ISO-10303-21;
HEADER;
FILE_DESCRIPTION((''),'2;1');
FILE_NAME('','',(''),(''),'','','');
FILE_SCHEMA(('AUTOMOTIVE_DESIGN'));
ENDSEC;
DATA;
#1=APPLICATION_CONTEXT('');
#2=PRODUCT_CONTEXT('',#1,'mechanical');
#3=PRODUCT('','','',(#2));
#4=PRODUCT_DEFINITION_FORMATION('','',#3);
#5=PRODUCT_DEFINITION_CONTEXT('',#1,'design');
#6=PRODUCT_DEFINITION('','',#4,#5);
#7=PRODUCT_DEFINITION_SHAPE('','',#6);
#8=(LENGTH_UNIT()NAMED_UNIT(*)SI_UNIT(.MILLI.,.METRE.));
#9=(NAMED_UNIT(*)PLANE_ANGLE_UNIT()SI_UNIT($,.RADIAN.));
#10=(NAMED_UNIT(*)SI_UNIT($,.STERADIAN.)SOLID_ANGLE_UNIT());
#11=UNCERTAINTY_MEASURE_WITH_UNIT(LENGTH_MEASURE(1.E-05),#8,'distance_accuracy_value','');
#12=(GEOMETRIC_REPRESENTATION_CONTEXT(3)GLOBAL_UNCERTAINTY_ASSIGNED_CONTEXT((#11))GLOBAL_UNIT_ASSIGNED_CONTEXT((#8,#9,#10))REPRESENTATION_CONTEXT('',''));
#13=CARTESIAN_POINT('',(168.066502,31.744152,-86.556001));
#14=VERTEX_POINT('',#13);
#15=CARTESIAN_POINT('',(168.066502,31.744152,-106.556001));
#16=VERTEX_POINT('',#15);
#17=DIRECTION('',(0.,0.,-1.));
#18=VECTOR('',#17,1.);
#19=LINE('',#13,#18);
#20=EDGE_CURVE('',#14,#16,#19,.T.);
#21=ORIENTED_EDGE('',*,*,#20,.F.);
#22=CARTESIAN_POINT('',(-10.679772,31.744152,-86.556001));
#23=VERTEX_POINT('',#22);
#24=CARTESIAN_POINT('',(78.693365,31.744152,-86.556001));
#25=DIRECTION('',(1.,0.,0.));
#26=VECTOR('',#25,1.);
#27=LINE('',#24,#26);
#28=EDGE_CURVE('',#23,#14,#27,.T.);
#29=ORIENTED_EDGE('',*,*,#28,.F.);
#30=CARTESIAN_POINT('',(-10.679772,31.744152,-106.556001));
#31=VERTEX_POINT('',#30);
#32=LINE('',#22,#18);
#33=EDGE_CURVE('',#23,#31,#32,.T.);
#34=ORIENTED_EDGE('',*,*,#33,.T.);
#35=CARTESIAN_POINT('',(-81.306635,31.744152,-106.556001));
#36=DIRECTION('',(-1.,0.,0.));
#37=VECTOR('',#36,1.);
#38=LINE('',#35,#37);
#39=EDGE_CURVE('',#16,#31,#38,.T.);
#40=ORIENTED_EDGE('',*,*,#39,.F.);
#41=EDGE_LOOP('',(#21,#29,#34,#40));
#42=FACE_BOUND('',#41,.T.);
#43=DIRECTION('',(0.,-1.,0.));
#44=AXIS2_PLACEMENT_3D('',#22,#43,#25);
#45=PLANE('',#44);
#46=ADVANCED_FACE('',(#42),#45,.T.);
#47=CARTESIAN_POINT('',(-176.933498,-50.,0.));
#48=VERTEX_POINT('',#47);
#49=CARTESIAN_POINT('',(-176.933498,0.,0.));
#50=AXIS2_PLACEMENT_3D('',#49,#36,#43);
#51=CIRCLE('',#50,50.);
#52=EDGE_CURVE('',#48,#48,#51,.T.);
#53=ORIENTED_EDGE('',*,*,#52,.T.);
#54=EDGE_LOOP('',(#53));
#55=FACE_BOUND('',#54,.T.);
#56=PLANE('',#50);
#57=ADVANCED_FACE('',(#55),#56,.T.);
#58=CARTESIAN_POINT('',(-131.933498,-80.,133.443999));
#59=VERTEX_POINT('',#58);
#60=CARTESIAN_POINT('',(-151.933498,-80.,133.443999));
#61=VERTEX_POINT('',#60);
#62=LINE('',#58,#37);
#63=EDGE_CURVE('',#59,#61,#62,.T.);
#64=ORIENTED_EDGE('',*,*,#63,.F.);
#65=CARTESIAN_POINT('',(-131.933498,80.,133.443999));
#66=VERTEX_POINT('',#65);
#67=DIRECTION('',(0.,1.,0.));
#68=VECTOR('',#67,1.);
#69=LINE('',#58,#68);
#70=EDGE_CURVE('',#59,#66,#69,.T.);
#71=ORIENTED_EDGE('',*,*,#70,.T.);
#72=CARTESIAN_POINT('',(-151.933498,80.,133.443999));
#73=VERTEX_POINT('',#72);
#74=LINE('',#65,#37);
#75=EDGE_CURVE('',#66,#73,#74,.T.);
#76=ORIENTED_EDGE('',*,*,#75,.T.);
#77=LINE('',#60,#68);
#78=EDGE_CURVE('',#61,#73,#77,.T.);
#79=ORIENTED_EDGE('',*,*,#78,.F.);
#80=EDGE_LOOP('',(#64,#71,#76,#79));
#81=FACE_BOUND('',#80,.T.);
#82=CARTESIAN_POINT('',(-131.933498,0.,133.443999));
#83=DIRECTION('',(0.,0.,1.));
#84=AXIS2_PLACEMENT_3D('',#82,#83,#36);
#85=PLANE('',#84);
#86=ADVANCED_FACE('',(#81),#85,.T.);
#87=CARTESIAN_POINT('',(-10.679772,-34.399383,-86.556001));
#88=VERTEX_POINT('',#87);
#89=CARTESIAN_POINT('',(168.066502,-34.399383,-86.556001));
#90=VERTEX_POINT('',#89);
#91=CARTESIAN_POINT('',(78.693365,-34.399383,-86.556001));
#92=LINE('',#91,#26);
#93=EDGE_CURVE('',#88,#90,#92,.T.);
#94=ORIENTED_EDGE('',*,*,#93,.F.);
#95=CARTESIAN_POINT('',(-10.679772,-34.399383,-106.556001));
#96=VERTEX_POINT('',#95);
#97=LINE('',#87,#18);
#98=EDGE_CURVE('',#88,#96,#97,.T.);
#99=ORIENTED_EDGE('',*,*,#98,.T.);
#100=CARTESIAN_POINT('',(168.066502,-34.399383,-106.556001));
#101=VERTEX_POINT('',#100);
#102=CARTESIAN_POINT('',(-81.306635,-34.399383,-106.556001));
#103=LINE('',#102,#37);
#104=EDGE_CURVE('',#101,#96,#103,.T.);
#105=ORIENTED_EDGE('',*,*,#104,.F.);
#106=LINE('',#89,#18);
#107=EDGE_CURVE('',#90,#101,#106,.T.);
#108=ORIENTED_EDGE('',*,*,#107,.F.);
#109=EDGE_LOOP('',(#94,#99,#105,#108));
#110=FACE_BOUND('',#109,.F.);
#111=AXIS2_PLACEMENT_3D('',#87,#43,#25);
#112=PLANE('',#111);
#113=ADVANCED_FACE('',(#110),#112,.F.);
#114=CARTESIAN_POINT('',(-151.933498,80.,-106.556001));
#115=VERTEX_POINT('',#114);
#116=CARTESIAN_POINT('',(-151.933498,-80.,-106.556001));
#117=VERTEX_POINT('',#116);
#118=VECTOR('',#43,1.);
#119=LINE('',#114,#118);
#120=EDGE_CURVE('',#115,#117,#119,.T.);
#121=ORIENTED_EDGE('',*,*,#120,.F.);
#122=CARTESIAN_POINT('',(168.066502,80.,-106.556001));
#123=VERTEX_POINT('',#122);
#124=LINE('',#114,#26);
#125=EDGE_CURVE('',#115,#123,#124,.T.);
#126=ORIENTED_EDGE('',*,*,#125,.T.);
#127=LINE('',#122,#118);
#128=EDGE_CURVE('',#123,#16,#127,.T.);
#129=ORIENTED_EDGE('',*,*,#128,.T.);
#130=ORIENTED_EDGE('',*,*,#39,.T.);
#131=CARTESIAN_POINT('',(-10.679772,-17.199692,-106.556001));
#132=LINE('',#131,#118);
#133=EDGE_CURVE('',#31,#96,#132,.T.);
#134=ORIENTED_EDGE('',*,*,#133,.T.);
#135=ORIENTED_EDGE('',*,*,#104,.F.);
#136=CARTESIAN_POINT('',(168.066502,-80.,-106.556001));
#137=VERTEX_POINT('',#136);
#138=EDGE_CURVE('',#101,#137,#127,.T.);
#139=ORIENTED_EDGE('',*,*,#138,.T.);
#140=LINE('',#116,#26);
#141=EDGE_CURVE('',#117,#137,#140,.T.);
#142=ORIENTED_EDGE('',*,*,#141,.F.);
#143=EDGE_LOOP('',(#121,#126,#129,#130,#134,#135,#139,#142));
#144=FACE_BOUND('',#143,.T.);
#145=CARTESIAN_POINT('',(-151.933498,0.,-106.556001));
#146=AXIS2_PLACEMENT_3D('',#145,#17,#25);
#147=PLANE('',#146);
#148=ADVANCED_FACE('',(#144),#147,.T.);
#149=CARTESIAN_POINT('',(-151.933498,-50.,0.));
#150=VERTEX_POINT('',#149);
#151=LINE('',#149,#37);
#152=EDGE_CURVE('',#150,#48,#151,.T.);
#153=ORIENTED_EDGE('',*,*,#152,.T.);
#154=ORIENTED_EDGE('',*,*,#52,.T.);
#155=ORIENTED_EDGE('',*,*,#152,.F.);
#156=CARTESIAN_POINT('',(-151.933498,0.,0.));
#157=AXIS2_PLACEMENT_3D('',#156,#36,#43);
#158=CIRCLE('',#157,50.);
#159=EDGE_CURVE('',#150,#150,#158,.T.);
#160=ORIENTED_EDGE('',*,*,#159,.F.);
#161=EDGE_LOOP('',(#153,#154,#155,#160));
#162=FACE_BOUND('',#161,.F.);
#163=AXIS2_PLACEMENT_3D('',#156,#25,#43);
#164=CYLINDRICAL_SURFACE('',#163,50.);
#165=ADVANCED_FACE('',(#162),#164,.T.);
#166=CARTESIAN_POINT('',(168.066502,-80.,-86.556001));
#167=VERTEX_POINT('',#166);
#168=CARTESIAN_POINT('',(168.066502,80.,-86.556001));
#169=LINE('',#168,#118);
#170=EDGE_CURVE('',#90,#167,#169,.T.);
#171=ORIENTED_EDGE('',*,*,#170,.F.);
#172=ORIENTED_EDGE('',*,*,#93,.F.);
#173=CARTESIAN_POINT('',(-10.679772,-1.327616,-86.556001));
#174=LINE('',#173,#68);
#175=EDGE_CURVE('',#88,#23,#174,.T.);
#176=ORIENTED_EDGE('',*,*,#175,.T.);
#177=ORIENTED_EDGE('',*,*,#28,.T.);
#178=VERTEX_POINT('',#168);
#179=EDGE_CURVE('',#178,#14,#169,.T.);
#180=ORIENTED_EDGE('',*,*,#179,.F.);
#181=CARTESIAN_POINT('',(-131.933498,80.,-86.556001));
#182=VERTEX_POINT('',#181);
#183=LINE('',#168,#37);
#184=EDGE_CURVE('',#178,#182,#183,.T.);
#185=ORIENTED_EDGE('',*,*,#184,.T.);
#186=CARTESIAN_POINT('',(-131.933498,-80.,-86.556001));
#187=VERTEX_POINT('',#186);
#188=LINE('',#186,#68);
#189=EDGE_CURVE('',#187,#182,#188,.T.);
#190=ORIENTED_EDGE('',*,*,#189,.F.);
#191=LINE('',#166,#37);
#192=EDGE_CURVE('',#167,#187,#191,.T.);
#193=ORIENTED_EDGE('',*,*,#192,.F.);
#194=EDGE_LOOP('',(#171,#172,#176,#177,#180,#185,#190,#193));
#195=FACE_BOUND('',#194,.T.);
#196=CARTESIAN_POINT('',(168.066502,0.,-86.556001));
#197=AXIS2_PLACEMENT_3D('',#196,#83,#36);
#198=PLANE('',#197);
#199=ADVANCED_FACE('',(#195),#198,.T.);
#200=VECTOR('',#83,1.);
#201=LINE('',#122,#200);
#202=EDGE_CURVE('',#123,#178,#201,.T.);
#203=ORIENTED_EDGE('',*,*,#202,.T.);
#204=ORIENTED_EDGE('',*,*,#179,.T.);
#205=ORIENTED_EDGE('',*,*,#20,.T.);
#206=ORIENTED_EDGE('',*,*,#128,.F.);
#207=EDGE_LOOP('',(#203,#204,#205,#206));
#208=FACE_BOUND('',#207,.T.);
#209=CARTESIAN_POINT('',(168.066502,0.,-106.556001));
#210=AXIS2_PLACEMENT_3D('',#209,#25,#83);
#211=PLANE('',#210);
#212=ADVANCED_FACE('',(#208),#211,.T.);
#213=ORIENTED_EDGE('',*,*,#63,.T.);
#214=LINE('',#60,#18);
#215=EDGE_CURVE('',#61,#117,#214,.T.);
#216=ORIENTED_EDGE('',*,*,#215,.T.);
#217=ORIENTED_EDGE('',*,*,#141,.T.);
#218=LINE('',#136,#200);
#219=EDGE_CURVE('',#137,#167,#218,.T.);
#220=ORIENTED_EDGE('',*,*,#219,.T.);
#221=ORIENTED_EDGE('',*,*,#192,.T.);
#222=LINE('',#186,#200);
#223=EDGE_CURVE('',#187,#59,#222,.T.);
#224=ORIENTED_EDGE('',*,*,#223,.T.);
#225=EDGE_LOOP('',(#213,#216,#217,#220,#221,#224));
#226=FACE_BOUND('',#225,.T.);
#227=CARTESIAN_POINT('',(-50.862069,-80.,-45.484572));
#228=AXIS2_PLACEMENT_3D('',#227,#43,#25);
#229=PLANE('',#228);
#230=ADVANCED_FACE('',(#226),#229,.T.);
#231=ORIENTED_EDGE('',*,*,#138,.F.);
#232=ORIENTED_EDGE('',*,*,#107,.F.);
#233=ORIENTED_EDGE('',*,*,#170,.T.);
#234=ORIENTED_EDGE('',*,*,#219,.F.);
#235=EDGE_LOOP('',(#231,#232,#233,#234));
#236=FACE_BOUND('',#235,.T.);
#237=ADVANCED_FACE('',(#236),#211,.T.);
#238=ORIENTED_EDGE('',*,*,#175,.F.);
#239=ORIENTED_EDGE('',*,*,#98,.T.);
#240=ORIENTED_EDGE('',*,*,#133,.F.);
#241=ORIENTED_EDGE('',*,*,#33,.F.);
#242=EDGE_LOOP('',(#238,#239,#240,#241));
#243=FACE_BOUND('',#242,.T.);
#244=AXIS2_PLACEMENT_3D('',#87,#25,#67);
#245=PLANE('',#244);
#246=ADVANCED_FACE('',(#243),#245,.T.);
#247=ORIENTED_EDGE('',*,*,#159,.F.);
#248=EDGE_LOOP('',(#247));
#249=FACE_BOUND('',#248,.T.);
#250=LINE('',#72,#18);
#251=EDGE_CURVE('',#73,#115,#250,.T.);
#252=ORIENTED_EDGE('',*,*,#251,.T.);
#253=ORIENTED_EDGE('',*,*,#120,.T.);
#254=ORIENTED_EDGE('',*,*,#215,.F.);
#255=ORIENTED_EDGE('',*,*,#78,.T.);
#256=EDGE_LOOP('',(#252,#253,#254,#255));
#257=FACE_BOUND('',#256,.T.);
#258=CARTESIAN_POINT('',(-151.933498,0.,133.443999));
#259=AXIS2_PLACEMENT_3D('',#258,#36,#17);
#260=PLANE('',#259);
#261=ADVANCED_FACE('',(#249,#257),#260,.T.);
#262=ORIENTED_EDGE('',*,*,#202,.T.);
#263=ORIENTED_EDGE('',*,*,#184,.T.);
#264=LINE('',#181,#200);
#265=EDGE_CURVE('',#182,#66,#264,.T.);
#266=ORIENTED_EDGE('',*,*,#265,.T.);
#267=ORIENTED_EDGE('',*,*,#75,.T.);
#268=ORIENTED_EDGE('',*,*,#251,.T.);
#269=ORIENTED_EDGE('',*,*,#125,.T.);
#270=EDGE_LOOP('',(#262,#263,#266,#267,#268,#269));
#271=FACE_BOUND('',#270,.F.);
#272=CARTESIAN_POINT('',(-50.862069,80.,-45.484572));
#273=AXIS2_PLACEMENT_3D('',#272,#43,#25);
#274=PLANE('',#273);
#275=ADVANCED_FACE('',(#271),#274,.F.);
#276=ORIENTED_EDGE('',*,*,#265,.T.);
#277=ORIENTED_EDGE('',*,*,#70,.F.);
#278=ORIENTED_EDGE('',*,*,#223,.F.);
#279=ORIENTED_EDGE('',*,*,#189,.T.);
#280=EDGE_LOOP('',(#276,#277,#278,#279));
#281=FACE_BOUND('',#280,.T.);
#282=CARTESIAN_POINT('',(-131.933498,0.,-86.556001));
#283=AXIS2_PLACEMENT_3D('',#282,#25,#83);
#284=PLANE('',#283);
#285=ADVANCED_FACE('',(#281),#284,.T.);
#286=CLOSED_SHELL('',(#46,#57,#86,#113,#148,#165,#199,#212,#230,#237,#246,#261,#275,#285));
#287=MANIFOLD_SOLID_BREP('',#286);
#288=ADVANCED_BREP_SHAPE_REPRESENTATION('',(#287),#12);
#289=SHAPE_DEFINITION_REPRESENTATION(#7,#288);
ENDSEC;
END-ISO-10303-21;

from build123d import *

# Parameters (mm, degrees)
F1_DEPTH = 80
F2_W     = 178.746274
F2_H     = 66.143535
F3_DEPTH = 25
F4_R     = 50
F5_DEPTH = 25


with BuildPart() as f1:
    # F0 (on Front) → F1 (new body, symmetric)
    with BuildSketch(Plane.XZ):
        Polygon((-151.933498, 133.443999), (-151.933498, 15.624951), (-151.933498, -106.556001), (168.066502, -106.556001), (168.066502, -86.556001), (-131.933498, -86.556001), (-131.933498, 133.443999), align=None)
    extrude(amount=F1_DEPTH, both=True)

    # F2 (on face) → F3 (cut)
    with BuildSketch(Plane.XY.offset(-86.556001)):
        with Locations((78.693365, -1.327616)):
            Rectangle(F2_W, F2_H)
    extrude(amount=-F3_DEPTH, mode=Mode.SUBTRACT)

    # F4 (on face) → F5 (join)
    with BuildSketch(Plane(origin=(-151.933498, 0, 0), x_dir=(0, -1, 0), z_dir=(-1, 0, 0))):
        Circle(F4_R)
    extrude(amount=F5_DEPTH)


solid = f1.part
